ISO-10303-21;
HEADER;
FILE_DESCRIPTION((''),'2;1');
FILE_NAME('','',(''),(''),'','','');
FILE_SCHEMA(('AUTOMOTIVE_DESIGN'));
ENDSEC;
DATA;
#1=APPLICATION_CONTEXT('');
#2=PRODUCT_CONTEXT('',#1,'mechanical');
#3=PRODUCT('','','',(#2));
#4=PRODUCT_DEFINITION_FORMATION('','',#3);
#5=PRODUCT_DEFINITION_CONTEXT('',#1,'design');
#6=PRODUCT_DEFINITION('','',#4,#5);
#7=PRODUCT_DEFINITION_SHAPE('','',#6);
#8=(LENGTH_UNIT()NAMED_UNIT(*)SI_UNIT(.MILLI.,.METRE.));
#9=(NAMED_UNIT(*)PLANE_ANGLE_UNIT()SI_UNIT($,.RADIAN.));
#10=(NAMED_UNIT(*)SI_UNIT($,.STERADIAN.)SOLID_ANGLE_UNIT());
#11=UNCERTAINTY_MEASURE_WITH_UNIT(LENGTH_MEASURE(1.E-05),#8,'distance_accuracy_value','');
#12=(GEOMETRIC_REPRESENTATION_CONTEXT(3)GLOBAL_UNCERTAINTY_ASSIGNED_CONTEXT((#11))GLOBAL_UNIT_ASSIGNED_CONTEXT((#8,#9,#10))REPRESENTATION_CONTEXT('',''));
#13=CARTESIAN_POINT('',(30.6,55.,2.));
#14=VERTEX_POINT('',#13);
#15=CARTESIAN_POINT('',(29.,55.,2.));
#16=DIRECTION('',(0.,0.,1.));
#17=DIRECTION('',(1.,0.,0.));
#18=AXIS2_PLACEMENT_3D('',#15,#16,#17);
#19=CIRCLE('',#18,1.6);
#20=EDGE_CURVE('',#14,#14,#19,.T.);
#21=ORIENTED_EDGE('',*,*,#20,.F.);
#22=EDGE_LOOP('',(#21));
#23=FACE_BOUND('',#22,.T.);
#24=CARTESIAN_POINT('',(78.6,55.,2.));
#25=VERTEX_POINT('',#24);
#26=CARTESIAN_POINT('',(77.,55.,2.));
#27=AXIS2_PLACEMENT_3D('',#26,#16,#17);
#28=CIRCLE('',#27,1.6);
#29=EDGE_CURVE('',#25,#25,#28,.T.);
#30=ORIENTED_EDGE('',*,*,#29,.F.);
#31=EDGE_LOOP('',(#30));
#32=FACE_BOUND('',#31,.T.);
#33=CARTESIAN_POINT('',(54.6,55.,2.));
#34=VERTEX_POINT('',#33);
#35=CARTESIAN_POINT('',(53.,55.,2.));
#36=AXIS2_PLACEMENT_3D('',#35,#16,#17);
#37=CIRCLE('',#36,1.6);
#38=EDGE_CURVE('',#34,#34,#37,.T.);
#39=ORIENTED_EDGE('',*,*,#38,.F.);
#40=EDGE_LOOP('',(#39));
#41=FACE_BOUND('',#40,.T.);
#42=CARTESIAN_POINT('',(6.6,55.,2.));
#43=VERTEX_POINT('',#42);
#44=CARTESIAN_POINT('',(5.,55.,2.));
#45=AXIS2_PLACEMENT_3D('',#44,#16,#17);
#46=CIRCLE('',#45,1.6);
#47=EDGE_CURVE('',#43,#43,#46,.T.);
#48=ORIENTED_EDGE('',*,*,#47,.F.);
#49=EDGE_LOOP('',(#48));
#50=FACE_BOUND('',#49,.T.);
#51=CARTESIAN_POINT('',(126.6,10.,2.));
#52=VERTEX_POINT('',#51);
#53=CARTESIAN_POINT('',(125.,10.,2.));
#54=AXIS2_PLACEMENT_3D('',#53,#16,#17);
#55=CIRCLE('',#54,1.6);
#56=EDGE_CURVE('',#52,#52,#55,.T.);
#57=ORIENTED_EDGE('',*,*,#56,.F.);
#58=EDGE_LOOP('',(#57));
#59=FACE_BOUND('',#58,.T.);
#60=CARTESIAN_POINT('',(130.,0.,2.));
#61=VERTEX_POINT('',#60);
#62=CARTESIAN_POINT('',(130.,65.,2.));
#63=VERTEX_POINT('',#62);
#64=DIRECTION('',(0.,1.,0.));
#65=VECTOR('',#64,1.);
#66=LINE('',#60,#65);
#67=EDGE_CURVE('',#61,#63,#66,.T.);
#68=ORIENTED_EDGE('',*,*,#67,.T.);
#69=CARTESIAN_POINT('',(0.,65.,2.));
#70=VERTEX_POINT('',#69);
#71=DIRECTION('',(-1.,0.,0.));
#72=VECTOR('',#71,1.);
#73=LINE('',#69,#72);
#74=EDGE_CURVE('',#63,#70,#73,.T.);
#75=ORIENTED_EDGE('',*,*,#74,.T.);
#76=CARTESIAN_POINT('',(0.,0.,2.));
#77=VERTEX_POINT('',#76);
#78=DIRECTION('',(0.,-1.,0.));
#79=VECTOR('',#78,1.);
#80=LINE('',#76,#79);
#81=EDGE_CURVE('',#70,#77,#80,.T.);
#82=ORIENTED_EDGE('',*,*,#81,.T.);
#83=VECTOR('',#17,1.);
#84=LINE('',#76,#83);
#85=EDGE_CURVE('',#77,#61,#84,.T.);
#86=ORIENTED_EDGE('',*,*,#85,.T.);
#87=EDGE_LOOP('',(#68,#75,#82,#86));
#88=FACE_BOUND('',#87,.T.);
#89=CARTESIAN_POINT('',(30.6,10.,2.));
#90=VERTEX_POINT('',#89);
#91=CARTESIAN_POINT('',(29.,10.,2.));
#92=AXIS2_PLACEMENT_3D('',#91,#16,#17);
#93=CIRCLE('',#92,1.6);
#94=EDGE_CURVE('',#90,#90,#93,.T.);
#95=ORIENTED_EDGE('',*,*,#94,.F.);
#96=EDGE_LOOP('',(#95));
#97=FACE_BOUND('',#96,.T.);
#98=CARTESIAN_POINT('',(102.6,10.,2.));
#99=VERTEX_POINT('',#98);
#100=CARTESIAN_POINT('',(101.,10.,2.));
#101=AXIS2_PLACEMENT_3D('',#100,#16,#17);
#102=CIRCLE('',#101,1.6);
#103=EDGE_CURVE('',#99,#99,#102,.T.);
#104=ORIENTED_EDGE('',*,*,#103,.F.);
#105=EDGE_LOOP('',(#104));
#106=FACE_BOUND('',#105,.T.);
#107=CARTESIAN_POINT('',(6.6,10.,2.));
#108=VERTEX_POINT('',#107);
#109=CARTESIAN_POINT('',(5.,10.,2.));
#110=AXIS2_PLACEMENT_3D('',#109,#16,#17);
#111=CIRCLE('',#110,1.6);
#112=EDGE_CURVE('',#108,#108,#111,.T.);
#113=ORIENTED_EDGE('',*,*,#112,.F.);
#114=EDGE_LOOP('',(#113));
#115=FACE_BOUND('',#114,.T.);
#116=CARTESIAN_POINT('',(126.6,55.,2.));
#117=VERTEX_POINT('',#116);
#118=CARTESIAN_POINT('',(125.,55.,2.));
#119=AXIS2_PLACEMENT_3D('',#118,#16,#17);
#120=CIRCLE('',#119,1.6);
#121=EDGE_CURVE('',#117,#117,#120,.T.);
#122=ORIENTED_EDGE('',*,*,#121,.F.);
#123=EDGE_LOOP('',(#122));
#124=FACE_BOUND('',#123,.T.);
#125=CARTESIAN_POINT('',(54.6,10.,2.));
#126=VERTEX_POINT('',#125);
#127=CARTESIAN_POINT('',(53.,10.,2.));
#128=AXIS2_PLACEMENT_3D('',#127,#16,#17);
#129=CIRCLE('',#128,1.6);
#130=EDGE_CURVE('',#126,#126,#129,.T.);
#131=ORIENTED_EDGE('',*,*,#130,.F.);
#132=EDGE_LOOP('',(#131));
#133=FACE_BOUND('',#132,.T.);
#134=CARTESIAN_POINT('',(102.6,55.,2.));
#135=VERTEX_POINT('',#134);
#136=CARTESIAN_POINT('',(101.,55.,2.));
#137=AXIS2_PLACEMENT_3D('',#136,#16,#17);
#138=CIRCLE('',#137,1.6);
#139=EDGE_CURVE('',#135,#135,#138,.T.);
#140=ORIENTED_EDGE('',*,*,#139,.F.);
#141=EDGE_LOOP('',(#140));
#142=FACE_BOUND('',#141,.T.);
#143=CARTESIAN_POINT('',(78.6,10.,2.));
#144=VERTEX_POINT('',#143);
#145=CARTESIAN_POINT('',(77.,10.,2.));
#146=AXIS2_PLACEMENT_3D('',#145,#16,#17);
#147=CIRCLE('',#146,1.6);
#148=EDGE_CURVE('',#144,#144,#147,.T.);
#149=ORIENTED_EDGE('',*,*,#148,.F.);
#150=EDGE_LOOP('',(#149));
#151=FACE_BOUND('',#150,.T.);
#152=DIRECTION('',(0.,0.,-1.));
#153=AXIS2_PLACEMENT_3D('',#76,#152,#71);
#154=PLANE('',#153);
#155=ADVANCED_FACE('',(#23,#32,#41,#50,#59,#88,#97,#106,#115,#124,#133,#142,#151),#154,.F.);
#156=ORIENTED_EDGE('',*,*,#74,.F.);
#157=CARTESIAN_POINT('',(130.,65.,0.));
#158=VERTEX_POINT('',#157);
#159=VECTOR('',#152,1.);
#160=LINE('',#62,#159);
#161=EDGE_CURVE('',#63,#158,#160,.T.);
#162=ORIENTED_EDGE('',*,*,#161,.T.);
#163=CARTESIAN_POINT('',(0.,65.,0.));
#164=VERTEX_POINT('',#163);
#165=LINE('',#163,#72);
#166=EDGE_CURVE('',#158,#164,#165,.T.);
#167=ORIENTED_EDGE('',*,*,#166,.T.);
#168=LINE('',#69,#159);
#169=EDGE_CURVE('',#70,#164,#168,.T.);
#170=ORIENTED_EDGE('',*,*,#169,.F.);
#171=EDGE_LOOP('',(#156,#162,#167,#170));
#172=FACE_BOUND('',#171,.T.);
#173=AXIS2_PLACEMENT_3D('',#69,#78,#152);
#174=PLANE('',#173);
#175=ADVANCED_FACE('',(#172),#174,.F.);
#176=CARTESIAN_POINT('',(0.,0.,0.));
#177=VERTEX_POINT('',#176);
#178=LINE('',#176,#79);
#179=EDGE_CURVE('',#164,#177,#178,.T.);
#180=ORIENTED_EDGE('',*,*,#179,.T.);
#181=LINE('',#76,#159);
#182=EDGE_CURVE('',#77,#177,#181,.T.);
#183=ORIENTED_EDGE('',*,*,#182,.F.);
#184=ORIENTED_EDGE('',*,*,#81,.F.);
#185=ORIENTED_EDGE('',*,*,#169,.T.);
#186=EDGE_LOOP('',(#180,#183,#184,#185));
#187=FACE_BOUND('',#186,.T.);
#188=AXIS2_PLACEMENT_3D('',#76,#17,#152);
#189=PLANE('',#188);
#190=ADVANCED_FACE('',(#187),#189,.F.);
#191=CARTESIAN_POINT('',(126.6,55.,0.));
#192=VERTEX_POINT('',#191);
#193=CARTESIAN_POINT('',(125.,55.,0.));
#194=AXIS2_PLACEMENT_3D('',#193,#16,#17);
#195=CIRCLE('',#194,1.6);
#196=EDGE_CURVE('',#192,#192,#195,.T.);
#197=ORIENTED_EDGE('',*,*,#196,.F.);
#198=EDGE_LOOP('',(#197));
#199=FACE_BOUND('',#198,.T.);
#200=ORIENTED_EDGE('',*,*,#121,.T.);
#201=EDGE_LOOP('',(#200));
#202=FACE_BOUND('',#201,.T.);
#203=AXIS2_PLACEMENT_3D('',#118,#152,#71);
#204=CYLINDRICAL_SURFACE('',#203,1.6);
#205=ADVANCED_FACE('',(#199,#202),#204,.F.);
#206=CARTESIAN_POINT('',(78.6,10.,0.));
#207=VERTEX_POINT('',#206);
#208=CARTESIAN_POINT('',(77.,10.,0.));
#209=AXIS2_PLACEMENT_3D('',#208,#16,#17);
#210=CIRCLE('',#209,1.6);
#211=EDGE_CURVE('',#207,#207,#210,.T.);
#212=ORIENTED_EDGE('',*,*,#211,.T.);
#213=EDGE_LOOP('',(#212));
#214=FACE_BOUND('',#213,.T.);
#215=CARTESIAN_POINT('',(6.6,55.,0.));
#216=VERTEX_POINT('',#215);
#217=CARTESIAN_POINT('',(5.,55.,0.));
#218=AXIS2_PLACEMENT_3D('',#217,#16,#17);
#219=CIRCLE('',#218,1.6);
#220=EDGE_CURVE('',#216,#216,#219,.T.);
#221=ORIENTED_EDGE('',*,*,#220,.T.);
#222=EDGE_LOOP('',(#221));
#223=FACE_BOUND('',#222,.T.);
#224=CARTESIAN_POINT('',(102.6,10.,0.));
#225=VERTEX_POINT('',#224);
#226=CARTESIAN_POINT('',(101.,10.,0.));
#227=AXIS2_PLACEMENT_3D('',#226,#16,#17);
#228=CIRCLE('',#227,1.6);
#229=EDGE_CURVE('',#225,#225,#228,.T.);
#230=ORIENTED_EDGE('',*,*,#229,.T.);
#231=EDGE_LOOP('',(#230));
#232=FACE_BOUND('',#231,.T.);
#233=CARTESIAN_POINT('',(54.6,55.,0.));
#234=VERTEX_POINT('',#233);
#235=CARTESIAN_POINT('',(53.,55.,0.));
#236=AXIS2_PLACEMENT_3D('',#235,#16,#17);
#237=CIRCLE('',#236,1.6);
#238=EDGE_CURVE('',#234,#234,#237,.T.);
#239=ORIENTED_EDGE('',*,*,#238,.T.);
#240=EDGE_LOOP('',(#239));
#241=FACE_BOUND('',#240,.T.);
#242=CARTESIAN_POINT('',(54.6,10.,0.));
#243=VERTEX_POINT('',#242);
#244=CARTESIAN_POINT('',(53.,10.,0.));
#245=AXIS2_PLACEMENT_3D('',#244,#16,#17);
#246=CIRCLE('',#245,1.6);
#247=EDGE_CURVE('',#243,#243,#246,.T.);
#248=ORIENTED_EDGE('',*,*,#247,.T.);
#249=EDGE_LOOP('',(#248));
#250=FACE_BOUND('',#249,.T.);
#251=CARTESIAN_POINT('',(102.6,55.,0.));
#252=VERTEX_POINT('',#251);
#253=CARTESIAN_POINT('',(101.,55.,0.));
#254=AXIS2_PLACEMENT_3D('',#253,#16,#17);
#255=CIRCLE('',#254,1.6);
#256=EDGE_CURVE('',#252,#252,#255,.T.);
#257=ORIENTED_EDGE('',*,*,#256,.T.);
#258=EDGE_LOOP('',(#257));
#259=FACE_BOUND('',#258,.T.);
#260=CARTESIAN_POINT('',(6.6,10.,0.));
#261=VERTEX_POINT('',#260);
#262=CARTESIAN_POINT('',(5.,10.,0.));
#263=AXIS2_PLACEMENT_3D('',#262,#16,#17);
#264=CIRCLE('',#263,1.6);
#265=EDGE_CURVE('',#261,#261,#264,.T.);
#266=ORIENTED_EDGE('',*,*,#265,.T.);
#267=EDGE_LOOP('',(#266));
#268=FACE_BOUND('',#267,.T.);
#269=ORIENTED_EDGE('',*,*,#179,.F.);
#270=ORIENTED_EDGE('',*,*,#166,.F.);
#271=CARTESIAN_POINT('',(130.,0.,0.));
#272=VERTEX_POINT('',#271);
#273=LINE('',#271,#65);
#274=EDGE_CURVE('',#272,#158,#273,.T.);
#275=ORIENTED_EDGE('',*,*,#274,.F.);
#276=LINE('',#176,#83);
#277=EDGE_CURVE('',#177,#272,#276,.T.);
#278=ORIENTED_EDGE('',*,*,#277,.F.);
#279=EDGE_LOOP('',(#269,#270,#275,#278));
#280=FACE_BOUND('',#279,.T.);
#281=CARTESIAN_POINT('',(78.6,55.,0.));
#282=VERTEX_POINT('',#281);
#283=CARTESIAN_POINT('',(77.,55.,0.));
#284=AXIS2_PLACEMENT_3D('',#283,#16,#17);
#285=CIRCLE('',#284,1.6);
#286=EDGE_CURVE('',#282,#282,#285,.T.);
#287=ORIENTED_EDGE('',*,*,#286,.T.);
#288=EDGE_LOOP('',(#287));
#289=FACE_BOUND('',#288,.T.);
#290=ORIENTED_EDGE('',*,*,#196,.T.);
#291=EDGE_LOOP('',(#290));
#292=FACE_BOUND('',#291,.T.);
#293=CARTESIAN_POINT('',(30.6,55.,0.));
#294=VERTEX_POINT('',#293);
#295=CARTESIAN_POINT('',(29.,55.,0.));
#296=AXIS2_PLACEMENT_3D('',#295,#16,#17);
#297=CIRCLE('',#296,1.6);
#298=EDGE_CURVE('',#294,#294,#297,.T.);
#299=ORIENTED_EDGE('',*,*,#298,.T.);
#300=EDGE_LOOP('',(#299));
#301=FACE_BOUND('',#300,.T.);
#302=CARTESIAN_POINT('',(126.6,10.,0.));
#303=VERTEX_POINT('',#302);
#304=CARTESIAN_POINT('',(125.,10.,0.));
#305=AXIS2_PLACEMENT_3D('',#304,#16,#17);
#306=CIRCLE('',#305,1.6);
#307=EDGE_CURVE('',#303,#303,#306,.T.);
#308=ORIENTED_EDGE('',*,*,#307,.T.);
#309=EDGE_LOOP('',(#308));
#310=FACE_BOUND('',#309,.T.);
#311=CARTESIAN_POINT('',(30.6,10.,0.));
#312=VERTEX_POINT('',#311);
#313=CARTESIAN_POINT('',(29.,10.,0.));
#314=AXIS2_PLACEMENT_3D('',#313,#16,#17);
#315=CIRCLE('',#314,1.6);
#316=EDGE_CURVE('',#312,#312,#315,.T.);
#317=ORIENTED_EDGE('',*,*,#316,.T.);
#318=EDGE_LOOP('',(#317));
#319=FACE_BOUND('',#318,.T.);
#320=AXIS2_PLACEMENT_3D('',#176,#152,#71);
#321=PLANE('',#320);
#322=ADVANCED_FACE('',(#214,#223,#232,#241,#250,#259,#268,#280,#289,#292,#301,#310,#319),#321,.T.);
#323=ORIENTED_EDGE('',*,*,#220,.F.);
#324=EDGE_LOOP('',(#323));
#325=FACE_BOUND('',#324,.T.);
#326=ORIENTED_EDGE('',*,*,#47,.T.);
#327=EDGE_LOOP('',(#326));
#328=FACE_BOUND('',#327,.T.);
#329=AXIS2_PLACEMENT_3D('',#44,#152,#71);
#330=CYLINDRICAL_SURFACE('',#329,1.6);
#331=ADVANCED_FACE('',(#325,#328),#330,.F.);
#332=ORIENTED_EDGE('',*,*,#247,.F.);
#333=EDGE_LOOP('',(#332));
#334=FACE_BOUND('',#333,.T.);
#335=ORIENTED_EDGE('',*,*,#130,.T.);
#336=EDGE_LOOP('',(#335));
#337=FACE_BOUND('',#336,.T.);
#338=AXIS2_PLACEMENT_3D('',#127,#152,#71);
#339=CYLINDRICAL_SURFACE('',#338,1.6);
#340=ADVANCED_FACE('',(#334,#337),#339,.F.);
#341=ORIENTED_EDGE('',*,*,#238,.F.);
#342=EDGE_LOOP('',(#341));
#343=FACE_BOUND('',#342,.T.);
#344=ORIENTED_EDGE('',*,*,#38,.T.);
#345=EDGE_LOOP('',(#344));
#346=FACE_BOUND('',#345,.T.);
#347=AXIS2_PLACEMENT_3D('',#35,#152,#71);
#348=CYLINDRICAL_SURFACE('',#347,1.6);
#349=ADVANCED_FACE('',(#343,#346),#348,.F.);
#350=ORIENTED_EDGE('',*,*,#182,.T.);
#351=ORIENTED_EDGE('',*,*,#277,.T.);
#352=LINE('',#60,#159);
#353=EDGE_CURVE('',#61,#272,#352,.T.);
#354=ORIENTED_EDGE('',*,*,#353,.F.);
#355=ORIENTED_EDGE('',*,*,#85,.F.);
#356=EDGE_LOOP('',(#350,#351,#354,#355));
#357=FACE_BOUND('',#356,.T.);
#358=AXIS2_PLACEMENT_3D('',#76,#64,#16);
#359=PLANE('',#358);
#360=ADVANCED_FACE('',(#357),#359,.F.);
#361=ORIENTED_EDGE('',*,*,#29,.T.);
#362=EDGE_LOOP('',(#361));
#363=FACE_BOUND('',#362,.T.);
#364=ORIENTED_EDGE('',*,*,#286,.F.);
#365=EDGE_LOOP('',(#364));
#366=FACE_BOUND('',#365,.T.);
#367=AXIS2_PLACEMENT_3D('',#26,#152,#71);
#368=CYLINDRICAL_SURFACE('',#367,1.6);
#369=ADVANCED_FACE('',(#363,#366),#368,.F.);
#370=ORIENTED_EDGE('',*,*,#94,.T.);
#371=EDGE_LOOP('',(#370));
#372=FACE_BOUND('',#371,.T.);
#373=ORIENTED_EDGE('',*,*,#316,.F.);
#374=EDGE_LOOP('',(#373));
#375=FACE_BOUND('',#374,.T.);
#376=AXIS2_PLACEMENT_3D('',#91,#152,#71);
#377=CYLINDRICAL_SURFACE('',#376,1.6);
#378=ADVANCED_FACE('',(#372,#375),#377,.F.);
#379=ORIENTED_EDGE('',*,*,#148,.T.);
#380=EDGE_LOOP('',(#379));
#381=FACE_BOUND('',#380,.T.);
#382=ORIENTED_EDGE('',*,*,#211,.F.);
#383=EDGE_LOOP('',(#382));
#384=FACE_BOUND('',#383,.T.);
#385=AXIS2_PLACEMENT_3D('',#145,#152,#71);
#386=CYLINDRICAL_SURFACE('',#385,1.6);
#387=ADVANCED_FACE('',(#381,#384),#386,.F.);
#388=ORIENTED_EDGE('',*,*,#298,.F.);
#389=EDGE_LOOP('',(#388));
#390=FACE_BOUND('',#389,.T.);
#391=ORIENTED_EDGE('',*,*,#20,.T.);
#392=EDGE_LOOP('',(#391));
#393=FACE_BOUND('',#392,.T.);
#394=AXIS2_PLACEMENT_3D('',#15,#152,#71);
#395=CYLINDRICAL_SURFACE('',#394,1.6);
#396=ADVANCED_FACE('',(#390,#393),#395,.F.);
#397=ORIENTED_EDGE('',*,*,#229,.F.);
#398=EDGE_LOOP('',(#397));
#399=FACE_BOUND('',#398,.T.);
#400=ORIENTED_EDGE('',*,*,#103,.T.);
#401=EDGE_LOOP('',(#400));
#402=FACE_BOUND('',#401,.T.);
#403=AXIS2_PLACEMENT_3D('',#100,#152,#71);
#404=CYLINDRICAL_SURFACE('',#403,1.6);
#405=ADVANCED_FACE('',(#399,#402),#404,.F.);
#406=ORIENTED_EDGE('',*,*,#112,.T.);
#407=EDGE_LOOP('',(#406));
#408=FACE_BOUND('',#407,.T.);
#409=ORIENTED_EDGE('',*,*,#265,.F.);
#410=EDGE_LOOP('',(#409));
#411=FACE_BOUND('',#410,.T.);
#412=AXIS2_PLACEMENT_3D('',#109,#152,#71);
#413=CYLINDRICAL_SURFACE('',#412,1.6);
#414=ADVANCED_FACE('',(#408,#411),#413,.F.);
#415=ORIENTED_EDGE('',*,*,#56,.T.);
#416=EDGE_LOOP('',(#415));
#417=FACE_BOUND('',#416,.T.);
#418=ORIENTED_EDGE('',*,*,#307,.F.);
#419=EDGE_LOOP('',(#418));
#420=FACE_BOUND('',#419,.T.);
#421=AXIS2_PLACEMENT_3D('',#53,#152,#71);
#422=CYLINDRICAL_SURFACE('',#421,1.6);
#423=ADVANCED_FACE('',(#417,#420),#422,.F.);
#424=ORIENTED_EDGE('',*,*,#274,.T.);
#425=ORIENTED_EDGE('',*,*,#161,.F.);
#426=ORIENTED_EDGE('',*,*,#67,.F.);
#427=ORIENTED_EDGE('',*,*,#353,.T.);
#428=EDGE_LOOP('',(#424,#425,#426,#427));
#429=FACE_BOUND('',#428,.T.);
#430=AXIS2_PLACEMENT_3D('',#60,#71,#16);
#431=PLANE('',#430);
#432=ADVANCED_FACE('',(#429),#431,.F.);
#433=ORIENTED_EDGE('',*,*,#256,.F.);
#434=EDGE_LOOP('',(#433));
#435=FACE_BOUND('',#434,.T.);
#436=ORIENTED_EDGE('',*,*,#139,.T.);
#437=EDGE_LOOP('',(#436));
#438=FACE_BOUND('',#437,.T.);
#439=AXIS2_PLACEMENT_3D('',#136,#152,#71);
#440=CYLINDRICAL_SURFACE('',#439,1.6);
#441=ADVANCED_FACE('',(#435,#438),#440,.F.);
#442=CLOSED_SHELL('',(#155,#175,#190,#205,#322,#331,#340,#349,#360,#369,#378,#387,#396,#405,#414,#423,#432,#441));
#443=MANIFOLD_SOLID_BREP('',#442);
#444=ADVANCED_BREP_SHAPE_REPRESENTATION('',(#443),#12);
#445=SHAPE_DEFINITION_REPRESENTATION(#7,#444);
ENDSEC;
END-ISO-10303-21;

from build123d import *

# Parameters (mm, degrees)
ESQUISSE1_W        = 130
ESQUISSE1_H        = 65
ESQUISSE1_R        = 1.6
BOSS_EXTRU_1_DEPTH = 2


with BuildPart() as part:
    # Esquisse1 → Boss.-Extru.1 (new body)
    with BuildSketch(Plane.XY):
        with Locations((65, 32.5)):
            Rectangle(ESQUISSE1_W, ESQUISSE1_H)
        with Locations((125, 55)):
            Circle(ESQUISSE1_R, mode=Mode.SUBTRACT)
        with Locations((101, 55)):
            Circle(ESQUISSE1_R, mode=Mode.SUBTRACT)
        with Locations((77, 55)):
            Circle(ESQUISSE1_R, mode=Mode.SUBTRACT)
        with Locations((53, 55)):
            Circle(ESQUISSE1_R, mode=Mode.SUBTRACT)
        with Locations((29, 55)):
            Circle(ESQUISSE1_R, mode=Mode.SUBTRACT)
        with Locations((29, 10)):
            Circle(ESQUISSE1_R, mode=Mode.SUBTRACT)
        with Locations((53, 10)):
            Circle(ESQUISSE1_R, mode=Mode.SUBTRACT)
        with Locations((77, 10)):
            Circle(ESQUISSE1_R, mode=Mode.SUBTRACT)
        with Locations((101, 10)):
            Circle(ESQUISSE1_R, mode=Mode.SUBTRACT)
        with Locations((125, 10)):
            Circle(ESQUISSE1_R, mode=Mode.SUBTRACT)
        with Locations((5, 55)):
            Circle(ESQUISSE1_R, mode=Mode.SUBTRACT)
        with Locations((5, 10)):
            Circle(ESQUISSE1_R, mode=Mode.SUBTRACT)
    extrude(amount=BOSS_EXTRU_1_DEPTH)


solid = part.part
